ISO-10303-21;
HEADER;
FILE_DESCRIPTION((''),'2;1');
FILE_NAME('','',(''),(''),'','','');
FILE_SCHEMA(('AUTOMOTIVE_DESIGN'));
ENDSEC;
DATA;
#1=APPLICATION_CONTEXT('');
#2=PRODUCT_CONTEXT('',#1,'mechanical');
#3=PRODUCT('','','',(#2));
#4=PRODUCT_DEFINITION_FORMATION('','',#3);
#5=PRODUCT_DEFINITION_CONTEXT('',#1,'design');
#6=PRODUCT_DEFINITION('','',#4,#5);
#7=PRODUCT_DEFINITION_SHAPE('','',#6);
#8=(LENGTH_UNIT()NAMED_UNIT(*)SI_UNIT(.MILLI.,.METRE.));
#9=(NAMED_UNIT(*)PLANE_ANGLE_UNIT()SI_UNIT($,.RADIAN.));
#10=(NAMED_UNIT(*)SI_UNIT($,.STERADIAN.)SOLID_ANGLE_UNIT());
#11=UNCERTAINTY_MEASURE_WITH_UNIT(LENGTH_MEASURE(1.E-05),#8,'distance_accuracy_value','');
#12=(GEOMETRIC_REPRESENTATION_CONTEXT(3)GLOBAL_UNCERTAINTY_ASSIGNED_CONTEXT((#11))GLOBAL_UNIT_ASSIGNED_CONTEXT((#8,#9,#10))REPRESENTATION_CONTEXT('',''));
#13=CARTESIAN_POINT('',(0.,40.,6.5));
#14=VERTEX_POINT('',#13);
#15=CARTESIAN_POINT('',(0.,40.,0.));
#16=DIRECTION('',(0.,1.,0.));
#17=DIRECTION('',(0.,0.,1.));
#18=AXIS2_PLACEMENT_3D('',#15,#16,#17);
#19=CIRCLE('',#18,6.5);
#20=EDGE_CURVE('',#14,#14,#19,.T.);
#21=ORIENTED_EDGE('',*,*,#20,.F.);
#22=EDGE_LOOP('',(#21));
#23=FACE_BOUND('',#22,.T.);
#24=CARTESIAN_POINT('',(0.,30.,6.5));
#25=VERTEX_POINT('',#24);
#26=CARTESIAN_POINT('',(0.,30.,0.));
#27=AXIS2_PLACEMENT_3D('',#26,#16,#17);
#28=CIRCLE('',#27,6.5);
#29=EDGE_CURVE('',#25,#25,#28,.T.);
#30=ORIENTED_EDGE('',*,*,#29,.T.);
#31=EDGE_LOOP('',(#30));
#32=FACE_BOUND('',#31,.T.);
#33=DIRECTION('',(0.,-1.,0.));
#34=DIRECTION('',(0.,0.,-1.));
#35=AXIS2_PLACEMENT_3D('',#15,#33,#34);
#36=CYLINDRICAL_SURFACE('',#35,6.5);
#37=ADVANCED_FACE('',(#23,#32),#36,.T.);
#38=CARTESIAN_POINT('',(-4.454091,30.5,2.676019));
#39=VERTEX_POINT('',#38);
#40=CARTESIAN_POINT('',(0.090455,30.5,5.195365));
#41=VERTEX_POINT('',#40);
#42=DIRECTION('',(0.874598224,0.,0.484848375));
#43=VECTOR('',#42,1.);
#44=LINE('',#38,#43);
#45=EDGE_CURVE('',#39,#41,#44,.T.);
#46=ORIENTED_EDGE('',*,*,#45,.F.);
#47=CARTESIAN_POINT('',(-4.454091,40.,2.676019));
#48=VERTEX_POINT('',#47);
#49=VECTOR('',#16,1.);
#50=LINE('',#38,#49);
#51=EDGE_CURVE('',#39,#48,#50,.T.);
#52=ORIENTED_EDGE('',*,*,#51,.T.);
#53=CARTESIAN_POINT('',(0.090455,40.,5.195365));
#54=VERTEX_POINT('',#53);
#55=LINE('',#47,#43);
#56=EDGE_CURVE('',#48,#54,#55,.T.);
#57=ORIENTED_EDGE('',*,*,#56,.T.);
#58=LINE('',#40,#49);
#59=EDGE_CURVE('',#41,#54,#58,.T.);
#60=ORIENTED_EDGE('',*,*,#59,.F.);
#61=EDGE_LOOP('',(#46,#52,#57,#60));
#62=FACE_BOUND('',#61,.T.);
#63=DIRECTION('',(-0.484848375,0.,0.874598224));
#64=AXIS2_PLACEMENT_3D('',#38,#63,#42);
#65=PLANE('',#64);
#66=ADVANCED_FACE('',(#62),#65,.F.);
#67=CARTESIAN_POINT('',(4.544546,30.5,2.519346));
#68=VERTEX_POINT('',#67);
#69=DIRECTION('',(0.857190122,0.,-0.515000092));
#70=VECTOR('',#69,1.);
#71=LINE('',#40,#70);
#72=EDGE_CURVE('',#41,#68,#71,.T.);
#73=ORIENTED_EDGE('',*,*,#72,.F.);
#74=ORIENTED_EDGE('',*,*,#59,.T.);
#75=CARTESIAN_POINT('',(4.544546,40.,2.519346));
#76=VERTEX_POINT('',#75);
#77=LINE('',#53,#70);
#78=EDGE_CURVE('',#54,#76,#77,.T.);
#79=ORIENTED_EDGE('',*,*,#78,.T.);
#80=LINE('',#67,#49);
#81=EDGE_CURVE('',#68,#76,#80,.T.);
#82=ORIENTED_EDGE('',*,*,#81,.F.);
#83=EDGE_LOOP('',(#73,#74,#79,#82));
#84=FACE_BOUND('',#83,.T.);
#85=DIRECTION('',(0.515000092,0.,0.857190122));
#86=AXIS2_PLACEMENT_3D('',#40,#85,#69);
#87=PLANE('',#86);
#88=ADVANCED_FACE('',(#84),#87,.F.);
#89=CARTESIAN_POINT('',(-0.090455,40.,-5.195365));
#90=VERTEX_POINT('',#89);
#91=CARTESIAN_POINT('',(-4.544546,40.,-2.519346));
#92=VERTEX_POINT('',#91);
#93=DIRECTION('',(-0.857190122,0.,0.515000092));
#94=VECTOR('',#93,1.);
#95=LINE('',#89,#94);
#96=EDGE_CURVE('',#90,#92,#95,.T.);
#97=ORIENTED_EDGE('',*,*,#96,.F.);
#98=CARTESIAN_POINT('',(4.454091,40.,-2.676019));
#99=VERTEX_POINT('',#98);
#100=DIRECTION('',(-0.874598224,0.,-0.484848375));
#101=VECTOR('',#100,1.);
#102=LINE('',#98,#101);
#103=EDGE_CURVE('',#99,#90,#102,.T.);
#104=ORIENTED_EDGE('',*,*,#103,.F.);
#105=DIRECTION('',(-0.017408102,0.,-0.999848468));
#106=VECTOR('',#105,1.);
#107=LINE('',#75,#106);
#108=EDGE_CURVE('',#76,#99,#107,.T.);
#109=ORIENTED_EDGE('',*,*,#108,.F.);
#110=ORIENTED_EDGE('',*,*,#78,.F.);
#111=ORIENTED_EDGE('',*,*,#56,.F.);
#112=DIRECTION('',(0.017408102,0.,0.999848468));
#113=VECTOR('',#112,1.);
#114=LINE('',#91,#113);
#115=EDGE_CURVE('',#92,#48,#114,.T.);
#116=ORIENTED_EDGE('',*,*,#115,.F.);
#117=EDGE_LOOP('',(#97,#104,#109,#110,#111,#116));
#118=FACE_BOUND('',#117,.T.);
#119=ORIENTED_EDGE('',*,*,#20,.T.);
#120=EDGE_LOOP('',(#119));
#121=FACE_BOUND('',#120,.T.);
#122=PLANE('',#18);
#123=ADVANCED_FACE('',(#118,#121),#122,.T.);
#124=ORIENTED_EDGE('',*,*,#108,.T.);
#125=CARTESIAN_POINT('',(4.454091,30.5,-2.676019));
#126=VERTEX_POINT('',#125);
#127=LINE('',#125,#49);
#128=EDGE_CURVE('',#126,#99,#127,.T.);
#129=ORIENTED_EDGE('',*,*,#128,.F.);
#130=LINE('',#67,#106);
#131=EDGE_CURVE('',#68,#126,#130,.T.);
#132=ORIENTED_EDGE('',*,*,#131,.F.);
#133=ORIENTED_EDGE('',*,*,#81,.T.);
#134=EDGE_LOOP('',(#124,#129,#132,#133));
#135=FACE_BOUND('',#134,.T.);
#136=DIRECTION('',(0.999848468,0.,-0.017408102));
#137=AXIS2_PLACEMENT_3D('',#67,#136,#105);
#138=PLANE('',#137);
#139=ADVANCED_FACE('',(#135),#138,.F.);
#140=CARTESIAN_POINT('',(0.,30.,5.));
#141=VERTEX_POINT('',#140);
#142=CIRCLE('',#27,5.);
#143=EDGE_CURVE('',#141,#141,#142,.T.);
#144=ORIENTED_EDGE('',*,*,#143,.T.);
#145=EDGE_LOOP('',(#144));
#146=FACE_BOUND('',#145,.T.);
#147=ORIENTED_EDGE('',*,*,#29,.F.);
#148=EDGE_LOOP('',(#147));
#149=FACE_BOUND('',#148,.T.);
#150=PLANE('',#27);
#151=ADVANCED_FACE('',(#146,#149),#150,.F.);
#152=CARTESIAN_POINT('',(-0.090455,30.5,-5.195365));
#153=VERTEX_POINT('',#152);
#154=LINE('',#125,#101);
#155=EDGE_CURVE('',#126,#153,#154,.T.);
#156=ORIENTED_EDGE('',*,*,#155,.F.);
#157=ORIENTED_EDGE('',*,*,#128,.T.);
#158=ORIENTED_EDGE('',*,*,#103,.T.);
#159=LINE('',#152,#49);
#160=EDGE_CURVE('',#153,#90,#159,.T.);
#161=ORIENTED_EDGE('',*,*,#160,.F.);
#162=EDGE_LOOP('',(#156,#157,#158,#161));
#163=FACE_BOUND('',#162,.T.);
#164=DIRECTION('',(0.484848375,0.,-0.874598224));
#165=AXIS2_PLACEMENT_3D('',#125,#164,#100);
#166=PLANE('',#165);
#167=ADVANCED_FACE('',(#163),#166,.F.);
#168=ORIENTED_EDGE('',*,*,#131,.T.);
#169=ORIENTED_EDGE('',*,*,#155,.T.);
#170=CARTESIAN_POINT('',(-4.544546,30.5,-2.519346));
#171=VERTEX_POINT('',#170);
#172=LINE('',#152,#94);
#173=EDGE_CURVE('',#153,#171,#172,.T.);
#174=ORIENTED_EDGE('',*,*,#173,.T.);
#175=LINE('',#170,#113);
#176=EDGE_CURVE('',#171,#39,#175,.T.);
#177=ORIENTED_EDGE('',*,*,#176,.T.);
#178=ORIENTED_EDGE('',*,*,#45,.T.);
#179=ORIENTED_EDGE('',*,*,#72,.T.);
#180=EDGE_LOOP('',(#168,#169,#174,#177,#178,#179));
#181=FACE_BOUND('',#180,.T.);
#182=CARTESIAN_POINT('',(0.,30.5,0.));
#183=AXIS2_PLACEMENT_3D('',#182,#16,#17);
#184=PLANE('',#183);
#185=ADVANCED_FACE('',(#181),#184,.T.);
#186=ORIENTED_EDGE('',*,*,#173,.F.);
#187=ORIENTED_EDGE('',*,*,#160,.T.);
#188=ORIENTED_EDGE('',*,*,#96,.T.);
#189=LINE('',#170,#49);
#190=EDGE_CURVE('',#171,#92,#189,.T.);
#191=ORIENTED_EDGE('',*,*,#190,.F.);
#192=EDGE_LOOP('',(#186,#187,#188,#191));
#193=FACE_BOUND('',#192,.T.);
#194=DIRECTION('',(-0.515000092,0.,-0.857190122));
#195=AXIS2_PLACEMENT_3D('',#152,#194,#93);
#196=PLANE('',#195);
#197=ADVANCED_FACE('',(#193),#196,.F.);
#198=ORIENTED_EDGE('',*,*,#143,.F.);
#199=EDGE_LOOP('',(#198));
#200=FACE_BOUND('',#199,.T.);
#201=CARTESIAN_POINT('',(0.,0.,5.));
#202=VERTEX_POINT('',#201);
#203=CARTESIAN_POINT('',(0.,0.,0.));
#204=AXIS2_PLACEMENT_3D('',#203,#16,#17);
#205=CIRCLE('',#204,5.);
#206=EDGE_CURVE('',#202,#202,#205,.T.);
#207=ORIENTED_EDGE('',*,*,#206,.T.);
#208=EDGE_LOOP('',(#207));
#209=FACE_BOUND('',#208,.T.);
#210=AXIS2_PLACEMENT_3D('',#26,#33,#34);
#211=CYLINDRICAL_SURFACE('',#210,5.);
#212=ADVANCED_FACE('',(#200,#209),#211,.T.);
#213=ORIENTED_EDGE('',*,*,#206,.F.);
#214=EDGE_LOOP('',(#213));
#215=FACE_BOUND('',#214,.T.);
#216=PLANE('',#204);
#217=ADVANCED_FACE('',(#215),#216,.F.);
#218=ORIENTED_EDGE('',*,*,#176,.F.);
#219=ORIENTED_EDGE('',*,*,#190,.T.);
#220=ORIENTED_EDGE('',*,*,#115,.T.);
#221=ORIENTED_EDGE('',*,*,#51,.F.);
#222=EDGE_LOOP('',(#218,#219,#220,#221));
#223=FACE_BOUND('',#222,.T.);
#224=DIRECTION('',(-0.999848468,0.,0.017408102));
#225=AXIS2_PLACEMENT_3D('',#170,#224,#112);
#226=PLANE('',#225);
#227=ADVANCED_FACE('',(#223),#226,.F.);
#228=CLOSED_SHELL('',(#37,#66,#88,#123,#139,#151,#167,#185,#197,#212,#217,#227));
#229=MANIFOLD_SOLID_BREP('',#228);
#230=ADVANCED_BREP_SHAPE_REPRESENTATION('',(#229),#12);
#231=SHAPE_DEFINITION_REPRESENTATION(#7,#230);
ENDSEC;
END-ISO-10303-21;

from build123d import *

# Parameters (mm, degrees)
SKETCH1_R           = 5
BOSS_EXTRUDE1_DEPTH = 30
SKETCH2_R           = 6.5
BOSS_EXTRUDE2_DEPTH = 10
CUT_EXTRUDE1_DEPTH  = 9.5


with BuildPart() as part:
    # Sketch1 → Boss-Extrude1 (new body)
    with BuildSketch(Plane(origin=(0, 0, 0), x_dir=(1, 0, 0), z_dir=(0, 1, 0))):
        with Locations(Location((0, 0, 0), (0, 0, 270))):
            Circle(SKETCH1_R)
    extrude(amount=BOSS_EXTRUDE1_DEPTH)

    # Sketch2 → Boss-Extrude2 (add)
    with BuildSketch(Plane(origin=(0, 30, 0), x_dir=(1, 0, 0), z_dir=(0, 1, 0))):
        with Locations(Location((0, 0, 0), (0, 0, 270))):
            Circle(SKETCH2_R)
    extrude(amount=BOSS_EXTRUDE2_DEPTH)

    # Sketch3 → Cut-Extrude1 (cut)
    with BuildSketch(Plane(origin=(0, 40, 0), x_dir=(1, 0, 0), z_dir=(0, 1, 0))):
        Polygon((4.544545679, -2.519346061), (4.454090529, 2.676018976), (-0.09045515, 5.195365037), (-4.544545679, 2.519346061), (-4.454090529, -2.676018976), (0.09045515, -5.195365037), align=None)
    extrude(amount=-CUT_EXTRUDE1_DEPTH, mode=Mode.SUBTRACT)


solid = part.part
